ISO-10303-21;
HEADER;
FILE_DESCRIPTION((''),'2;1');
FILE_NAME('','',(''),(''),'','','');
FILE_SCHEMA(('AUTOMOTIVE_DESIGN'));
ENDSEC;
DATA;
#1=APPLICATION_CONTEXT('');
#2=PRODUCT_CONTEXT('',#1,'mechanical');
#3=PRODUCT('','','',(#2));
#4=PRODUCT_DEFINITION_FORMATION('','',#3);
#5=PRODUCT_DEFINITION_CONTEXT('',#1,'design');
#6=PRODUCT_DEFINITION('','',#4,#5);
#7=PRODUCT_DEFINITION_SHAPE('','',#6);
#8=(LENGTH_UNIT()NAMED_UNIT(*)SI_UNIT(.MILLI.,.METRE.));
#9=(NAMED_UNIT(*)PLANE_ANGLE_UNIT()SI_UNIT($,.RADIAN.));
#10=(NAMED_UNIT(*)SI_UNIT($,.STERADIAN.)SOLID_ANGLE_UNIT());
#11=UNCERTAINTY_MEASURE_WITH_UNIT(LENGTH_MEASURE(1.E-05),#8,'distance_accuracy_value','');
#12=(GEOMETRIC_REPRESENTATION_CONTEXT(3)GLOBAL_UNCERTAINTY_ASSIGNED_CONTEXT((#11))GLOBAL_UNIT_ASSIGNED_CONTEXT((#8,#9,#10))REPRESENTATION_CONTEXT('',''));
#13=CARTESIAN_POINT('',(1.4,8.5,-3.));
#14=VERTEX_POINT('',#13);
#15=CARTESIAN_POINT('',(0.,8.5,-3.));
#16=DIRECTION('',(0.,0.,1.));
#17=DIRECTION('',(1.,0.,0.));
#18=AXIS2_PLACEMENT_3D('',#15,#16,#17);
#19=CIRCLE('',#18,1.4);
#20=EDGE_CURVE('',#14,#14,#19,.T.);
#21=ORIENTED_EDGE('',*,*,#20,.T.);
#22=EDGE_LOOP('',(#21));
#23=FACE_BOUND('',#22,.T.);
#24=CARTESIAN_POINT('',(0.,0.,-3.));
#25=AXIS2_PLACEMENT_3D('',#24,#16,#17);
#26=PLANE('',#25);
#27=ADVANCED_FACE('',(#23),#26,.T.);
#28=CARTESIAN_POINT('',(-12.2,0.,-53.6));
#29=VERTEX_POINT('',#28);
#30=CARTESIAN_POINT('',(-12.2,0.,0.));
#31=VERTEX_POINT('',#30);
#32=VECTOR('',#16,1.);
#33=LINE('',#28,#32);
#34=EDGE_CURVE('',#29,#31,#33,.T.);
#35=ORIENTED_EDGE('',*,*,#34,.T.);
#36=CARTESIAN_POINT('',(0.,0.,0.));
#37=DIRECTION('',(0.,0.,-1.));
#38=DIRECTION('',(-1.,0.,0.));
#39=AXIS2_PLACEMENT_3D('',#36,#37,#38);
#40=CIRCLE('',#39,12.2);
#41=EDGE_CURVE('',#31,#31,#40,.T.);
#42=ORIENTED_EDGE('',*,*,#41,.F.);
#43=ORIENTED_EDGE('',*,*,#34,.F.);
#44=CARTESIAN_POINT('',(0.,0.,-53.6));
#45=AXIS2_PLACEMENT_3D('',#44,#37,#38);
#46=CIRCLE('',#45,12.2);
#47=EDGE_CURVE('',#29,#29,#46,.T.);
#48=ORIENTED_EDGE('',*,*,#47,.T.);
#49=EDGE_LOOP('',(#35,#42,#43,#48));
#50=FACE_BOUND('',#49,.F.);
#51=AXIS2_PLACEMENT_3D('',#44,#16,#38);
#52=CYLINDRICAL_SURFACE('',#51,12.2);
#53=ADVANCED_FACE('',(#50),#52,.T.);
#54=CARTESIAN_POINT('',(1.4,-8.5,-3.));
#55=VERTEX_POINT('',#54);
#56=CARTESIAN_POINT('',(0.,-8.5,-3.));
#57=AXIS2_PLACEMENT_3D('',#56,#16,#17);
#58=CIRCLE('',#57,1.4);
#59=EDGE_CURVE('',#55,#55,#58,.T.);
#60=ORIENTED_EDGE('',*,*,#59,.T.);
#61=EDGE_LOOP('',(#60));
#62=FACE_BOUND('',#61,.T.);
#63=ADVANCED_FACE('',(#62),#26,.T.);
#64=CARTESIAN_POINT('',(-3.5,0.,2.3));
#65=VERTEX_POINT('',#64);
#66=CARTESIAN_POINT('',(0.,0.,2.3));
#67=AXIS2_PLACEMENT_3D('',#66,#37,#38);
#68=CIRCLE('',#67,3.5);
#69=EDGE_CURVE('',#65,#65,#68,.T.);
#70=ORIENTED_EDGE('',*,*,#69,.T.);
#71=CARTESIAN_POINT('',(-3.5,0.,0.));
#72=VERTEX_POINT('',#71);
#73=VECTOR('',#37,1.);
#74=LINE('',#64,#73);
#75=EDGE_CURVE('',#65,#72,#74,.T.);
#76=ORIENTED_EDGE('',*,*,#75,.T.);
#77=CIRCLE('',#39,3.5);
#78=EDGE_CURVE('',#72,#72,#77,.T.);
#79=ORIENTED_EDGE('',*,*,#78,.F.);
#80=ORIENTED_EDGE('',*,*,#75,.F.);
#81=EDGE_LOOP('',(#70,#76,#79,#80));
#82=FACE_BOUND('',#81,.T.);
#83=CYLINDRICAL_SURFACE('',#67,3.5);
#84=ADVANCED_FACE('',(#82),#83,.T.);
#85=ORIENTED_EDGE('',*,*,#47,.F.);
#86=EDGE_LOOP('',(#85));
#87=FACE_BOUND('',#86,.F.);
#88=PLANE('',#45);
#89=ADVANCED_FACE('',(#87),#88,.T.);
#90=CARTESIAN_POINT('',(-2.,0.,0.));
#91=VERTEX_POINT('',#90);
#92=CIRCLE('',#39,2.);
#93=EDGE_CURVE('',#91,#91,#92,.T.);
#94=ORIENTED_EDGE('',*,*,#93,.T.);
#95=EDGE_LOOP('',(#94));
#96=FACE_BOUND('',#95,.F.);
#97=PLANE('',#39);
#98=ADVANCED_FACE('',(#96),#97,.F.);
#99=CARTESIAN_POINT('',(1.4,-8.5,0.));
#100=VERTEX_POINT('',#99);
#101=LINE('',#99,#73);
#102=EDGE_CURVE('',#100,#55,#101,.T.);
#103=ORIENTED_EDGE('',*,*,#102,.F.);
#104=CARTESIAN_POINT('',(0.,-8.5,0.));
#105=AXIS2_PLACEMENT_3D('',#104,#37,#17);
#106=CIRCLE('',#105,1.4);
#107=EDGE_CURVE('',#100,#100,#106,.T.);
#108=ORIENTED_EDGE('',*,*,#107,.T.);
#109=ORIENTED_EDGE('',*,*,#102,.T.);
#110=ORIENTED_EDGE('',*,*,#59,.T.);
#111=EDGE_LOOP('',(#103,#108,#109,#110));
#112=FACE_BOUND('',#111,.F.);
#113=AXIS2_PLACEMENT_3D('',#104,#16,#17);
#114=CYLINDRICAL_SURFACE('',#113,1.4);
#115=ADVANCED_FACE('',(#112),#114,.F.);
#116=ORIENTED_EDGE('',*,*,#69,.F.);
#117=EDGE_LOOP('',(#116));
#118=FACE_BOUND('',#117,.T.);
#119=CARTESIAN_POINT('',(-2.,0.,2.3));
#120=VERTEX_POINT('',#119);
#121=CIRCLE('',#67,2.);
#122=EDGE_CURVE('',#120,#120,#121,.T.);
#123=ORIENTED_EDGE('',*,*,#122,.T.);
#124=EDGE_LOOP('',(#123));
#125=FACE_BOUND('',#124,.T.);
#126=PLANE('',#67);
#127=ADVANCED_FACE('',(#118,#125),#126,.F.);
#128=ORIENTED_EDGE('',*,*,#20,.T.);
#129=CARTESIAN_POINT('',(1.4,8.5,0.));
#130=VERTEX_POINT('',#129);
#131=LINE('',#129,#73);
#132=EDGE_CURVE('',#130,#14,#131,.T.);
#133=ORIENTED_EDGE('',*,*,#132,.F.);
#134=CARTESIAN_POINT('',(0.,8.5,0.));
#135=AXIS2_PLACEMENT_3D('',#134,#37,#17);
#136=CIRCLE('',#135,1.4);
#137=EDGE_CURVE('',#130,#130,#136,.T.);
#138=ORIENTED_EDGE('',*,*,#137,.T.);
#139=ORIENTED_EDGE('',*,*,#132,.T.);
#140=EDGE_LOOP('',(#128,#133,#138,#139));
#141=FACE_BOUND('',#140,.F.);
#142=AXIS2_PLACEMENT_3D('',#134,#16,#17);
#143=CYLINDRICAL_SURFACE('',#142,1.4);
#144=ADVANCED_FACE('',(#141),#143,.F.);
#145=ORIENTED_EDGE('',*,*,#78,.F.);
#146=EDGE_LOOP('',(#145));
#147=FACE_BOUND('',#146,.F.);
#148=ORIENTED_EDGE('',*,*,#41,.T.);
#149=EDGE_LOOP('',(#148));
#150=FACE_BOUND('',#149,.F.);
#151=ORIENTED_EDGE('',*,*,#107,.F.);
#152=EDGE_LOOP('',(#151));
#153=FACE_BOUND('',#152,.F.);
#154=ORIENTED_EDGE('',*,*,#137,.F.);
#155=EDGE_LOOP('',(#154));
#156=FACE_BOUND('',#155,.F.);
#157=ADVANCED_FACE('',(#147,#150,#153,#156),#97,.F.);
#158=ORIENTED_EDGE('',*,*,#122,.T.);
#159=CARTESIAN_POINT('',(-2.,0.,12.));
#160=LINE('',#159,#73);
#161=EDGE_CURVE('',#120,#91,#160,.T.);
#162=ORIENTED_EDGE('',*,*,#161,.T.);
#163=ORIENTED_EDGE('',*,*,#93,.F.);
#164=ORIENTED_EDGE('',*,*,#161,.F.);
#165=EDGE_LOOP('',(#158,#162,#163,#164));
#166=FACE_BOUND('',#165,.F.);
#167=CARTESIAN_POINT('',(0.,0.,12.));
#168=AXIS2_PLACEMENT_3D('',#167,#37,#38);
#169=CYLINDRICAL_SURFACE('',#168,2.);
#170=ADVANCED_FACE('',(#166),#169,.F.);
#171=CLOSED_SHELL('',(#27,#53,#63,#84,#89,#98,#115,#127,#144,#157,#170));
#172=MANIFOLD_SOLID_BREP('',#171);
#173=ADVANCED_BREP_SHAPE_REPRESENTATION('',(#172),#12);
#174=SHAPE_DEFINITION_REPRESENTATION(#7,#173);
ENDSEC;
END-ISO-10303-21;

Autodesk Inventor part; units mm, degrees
ref_plane "YZ Plane" through (0, 0, 0) normal (1, 0, 0) x (0, 1, 0)
ref_plane "XZ Plane" through (0, 0, 0) normal (0, 1, 0) x (-1, 0, 0)
ref_plane "XY Plane" through (0, 0, 0) normal (0, 0, 1) x (1, 0, 0)
sketch "草圖1" plane through (0, 0, 0) normal (0, 1, 0) x (-1, 0, 0)
  line L0 (12.2, 0) -> (-12.2, 0)
  line L1 (-12.2, 0) -> (-12.2, -53.6)
  line L2 (-12.2, -53.6) -> (12.2, -53.6)
  line L3 (12.2, -53.6) -> (12.2, 0)
  line L4 (2, 0) -> (-2, 0)
  line L5 (-2, 0) -> (-2, 12)
  line L6 (-2, 12) -> (2, 12)
  line L7 (2, 12) -> (2, 0)
  line L8 (3.5, 0) -> (-3.5, 0)
  line L9 (-3.5, 0) -> (-3.5, 2.3)
  line L10 (-3.5, 2.3) -> (3.5, 2.3)
  line L11 (3.5, 2.3) -> (3.5, 0)
  line L12 (2, 4) -> (-2, 4)
  line L13 (8.5, 0) -> (8.5, -53.6)
  line L14 (-8.5, 0) -> (-8.5, -53.6)
  line L15 (0, 0) -> (0, -53.6)
  line L16 (0, 0) -> (0, 12)
  point P0 (-8.5, -26.8)
  point P1 (0, 2.3)
  point P2 (2, 2.3)
  dimension "d1" = 8
  dimension "d2" = 9.7
  dimension "d4" = 17
  dimension "d5" = 24.4
  dimension "d6" = 53.6
  dimension "d7" = 3.7
  dimension "d8" = 4
  dimension "d9" = 7
  dimension "d10" = 2.3
revolve "迴轉1" add sketch "草圖1" angle 360 about axis through (0, 0, 0) along (0, 0, -1) contours L3 L2 L13 L0 | L13 L2 L15 L0 | L0 L7 L10 L11
sketch "草圖4" plane through (0, 0, 0) normal (0, 0, 1) x (1, 0, 0)
  circle A0 centre (0, 0) radius 8.5
  circle A1 centre (0, 8.5) radius 1.4
  circle A2 centre (0, -8.5) radius 1.4
  dimension "d21" = 17
  dimension "d22" = 2.8
  dimension "d23" = 2.8
extrude "擠出3" cut sketch "草圖4" against normal blind 3 contours A1 A0 | A0 A1 | A2 A0 | A0 A2
properties part number "馬達" material "鋁合金 6061"
